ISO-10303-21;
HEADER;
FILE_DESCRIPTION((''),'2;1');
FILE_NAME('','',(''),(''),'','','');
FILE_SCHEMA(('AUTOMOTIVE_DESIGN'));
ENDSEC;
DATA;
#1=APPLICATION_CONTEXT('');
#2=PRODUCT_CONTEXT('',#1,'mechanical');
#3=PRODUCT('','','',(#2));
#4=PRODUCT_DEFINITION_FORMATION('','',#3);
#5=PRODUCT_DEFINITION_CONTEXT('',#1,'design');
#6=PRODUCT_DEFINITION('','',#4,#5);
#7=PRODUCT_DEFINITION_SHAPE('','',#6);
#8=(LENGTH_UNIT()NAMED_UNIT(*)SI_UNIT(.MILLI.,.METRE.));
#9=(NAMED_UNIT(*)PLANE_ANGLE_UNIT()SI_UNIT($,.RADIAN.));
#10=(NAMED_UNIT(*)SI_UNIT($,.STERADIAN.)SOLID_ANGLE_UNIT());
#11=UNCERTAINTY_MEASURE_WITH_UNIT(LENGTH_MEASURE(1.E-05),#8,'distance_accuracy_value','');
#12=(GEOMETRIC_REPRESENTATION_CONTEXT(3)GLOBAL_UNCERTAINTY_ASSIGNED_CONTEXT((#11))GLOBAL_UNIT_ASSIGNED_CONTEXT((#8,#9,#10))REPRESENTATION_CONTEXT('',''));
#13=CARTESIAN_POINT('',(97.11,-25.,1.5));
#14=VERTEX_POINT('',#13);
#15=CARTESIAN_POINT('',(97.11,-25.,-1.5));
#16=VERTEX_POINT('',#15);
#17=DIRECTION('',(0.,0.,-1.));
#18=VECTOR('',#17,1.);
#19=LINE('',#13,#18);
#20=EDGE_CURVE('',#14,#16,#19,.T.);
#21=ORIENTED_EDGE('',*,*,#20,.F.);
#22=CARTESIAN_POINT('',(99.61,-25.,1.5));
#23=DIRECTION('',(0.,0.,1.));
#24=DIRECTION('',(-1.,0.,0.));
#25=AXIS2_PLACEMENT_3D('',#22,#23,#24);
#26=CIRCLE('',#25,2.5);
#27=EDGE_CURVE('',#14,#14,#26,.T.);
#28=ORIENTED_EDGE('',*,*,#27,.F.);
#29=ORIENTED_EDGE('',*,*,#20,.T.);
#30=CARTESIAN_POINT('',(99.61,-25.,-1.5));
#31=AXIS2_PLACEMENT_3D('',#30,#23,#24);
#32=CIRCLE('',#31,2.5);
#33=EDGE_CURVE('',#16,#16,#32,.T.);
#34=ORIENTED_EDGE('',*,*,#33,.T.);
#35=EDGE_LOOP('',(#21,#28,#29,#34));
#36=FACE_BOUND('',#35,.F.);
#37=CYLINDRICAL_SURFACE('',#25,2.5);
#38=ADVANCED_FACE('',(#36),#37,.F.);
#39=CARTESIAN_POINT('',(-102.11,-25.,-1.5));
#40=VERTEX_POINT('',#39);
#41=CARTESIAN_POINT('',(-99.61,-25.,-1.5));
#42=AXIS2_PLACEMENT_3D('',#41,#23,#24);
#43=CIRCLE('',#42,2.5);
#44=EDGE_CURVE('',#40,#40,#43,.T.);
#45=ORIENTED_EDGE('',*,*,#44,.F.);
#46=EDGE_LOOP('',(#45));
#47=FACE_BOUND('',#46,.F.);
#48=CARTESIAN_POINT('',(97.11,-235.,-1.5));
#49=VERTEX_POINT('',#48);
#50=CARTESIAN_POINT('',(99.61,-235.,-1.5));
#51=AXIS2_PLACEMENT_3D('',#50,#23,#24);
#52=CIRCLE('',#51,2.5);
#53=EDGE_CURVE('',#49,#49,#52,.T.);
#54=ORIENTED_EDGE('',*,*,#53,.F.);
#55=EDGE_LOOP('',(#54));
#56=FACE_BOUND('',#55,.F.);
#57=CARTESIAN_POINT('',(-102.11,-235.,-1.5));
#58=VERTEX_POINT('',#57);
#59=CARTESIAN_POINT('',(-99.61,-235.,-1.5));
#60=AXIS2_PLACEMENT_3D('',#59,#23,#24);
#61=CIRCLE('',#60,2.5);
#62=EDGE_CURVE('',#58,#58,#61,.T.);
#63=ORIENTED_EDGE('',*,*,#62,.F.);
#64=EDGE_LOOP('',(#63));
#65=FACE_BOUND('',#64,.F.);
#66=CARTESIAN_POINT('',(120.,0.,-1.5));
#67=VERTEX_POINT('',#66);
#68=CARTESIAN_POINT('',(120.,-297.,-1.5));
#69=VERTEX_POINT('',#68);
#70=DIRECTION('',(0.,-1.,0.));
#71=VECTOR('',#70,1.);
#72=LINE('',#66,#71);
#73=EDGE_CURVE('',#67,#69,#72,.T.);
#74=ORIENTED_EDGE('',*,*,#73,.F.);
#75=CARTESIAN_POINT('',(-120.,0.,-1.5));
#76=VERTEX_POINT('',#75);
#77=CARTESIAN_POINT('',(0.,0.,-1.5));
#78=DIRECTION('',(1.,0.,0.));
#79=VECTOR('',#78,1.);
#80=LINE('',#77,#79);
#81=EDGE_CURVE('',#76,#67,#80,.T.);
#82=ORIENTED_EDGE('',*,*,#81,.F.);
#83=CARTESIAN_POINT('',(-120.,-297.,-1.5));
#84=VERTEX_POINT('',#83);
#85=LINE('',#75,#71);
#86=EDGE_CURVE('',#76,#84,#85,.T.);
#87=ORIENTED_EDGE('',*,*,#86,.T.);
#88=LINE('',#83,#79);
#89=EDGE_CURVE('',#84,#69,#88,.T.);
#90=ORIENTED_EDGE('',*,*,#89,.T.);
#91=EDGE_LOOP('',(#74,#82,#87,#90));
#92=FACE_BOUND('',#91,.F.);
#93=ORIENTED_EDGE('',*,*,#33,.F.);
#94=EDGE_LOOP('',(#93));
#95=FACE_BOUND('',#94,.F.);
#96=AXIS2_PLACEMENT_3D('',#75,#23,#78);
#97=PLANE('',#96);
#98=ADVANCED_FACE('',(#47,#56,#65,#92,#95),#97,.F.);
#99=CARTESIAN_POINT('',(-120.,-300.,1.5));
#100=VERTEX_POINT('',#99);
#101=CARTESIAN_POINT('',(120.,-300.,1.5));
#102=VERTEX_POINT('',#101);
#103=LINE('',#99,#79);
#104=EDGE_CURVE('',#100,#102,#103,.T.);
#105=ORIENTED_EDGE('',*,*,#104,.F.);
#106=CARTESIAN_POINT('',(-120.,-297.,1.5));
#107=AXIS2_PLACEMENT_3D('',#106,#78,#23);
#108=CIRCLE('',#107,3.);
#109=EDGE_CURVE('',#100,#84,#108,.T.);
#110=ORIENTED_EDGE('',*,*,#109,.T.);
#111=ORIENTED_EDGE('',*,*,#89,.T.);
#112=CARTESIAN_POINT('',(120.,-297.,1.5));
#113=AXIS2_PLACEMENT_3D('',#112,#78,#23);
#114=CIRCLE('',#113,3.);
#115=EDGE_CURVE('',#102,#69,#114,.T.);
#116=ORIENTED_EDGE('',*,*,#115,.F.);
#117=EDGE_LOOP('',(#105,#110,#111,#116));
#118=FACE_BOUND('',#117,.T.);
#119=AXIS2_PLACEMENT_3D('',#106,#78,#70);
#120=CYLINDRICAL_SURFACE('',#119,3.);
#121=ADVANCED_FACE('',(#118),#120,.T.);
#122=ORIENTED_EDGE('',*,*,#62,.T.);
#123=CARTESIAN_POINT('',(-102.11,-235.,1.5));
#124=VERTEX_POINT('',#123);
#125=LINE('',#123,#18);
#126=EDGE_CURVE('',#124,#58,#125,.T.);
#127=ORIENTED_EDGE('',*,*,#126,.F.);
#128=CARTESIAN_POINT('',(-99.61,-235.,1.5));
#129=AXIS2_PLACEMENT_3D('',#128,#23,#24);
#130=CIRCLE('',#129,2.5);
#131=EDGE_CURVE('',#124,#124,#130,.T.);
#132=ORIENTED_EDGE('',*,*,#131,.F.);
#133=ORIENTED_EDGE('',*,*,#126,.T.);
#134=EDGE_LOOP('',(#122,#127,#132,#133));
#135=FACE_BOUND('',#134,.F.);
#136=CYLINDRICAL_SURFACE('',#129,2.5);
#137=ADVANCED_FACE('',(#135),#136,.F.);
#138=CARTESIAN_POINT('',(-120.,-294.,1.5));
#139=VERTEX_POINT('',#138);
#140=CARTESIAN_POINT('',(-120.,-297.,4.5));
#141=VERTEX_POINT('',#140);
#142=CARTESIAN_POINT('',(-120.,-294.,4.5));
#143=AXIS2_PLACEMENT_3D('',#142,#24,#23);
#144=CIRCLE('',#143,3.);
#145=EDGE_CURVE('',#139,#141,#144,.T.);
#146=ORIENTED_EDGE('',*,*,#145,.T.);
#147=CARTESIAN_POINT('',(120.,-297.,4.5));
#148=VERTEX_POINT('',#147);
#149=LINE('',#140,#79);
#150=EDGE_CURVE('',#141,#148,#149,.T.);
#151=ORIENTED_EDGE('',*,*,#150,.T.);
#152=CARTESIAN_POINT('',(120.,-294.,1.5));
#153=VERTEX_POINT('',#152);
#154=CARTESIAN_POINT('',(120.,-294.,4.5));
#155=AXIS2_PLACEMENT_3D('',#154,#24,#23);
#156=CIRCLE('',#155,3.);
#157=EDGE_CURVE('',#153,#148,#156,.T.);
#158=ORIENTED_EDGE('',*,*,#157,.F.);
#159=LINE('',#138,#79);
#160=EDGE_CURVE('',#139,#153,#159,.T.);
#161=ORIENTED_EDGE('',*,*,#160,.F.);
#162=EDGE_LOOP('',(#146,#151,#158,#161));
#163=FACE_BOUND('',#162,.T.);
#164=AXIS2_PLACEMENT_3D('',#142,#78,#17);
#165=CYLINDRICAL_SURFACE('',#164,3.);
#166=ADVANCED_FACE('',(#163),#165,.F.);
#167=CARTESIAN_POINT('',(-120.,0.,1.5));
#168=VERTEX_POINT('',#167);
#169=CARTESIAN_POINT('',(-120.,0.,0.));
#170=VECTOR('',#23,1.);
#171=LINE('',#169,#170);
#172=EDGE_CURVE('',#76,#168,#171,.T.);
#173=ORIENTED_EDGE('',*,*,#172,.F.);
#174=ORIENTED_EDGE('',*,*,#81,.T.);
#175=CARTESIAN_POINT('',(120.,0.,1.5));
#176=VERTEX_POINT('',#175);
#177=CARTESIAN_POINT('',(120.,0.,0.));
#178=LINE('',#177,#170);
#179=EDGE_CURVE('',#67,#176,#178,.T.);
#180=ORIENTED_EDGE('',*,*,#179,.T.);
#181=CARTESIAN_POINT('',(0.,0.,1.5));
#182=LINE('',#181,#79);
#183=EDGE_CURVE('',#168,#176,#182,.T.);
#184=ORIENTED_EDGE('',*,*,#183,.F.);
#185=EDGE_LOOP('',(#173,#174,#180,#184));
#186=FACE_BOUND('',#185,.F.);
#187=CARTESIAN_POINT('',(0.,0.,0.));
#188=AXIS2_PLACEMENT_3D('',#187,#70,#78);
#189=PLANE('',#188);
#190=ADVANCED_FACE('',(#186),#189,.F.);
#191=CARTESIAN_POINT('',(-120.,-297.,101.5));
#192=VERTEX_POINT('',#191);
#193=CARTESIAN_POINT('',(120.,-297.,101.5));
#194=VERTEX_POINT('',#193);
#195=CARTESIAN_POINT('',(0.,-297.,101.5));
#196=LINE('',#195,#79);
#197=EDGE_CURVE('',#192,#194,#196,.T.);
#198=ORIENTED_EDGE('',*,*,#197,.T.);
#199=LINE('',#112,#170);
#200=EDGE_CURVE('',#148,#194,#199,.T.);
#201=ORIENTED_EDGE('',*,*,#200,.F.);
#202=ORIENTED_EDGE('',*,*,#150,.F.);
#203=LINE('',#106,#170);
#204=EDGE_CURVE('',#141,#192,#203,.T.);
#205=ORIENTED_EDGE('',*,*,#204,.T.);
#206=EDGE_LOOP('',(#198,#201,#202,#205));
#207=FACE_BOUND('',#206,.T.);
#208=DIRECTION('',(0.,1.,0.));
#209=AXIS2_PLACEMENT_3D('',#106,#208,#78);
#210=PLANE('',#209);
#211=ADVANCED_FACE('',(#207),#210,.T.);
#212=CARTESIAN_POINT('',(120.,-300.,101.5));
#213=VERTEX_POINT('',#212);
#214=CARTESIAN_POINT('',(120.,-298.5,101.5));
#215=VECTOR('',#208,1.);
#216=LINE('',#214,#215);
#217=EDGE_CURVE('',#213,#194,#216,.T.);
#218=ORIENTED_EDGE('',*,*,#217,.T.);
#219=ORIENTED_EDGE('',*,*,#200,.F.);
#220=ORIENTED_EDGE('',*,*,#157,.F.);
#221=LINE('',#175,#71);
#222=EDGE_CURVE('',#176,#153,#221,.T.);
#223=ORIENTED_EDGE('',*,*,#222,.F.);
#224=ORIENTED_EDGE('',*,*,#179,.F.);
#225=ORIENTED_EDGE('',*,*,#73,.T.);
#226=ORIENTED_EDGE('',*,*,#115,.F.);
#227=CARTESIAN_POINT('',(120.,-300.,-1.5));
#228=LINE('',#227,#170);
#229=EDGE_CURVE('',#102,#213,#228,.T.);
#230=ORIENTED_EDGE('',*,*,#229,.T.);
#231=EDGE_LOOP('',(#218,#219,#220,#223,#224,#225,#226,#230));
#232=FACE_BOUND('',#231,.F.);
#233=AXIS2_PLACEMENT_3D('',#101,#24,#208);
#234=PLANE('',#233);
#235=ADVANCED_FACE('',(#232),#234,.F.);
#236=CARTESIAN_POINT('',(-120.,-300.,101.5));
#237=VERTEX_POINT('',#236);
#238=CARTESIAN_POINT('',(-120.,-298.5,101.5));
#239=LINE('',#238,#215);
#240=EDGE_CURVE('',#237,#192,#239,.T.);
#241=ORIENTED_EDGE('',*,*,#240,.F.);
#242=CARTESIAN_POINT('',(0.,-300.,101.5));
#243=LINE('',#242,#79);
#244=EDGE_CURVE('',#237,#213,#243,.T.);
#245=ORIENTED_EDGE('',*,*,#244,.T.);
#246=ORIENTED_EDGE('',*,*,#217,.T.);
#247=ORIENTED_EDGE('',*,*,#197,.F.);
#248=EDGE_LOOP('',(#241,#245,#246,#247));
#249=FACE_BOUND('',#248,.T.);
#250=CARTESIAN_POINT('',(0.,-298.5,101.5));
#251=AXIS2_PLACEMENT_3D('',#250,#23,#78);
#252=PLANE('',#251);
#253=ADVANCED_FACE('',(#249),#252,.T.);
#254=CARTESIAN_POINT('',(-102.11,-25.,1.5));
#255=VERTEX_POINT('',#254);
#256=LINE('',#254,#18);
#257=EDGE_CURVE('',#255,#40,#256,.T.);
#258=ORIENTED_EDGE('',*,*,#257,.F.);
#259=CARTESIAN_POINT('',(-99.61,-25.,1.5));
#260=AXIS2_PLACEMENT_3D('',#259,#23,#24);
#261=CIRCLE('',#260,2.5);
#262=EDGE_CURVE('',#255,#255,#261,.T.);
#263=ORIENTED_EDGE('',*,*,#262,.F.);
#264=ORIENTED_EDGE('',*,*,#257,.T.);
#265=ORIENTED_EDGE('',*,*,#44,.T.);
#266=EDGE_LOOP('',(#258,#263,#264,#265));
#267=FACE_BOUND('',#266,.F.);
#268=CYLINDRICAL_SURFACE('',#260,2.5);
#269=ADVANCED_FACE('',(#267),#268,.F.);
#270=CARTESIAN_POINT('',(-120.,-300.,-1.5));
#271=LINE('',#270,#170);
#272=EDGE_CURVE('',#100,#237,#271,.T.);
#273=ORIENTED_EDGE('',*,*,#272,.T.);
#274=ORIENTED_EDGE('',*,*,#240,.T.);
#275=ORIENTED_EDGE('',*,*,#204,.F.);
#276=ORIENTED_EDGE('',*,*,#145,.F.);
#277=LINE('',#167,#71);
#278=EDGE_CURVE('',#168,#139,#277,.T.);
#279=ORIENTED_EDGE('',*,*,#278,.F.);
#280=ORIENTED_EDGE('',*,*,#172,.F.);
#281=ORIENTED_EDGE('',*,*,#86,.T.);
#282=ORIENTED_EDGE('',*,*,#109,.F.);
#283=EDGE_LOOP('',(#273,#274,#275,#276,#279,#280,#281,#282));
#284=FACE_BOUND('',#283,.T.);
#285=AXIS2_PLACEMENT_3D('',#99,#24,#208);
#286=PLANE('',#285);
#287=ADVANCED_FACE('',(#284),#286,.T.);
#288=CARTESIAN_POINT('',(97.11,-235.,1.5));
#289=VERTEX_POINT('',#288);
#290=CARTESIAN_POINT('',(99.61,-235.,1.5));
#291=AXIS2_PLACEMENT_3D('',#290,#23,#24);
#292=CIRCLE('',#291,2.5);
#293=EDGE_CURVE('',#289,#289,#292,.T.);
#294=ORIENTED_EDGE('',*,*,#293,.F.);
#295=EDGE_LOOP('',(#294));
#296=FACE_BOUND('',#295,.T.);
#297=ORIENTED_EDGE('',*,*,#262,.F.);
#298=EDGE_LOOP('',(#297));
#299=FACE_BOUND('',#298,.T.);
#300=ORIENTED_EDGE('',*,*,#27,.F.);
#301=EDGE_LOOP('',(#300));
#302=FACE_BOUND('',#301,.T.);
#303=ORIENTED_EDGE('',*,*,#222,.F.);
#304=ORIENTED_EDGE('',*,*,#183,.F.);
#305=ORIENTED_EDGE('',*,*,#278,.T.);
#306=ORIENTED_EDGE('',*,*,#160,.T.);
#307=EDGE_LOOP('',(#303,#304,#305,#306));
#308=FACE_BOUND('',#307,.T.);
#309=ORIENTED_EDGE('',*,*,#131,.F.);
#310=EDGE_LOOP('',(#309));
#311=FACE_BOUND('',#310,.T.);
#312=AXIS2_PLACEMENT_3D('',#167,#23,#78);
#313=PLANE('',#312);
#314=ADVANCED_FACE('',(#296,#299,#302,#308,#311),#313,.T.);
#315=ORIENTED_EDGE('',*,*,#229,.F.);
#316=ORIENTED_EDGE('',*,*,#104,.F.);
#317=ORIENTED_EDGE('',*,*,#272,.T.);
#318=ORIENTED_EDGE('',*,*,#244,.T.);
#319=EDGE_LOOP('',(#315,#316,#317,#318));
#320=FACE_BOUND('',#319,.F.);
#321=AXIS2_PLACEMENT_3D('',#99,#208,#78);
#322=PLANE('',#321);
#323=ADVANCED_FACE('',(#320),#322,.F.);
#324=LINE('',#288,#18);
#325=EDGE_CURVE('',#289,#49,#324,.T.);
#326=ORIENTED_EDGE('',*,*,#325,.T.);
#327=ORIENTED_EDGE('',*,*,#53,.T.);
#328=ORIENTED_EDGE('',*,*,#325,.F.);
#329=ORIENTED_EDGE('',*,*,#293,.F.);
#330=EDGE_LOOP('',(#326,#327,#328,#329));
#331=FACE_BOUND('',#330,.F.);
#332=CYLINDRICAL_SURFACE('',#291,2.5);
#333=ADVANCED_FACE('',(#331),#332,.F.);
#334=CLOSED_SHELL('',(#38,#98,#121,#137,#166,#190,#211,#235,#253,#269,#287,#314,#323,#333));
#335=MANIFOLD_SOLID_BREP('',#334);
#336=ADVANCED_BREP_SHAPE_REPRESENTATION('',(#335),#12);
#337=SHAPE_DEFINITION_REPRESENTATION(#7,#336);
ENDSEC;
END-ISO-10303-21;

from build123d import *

# Parameters (mm, degrees)
F0_W     = 240
F0_H     = 3
F1_DEPTH = 300
F3_DEPTH = 25
F4_W     = 240
F4_H     = 3
F5_DEPTH = 100
F6_R     = 3


with BuildPart() as f1:
    # F0 (on Front) → F1 (new body)
    with BuildSketch(Plane.XZ):
        Rectangle(F0_W, F0_H)
    extrude(amount=F1_DEPTH)

    # F2 (on face) → F3 (cut)
    with BuildSketch(Plane.XY.offset(1.5)):
        with BuildLine():
            ThreePointArc((-97.11, -25), (-99.61, -22.5), (-102.11, -25))
            Line((-102.11, -25), (-97.11, -25))
        make_face()
        with BuildLine():
            ThreePointArc((102.11, -25), (99.61, -22.5), (97.11, -25))
            Line((97.11, -25), (102.11, -25))
        make_face()
        with BuildLine():
            Line((102.11, -25), (97.11, -25))
            ThreePointArc((97.11, -25), (99.61, -27.5), (102.11, -25))
        make_face()
        with BuildLine():
            Line((-97.11, -25), (-102.11, -25))
            ThreePointArc((-102.11, -25), (-99.61, -27.5), (-97.11, -25))
        make_face()
        with BuildLine():
            ThreePointArc((-97.11, -235), (-99.61, -232.5), (-102.11, -235))
            Line((-102.11, -235), (-97.11, -235))
        make_face()
        with BuildLine():
            ThreePointArc((102.11, -235), (99.61, -232.5), (97.11, -235))
            Line((97.11, -235), (102.11, -235))
        make_face()
        with BuildLine():
            Line((102.11, -235), (97.11, -235))
            ThreePointArc((97.11, -235), (99.61, -237.5), (102.11, -235))
        make_face()
        with BuildLine():
            Line((-97.11, -235), (-102.11, -235))
            ThreePointArc((-102.11, -235), (-99.61, -237.5), (-97.11, -235))
        make_face()
    extrude(amount=-F3_DEPTH, mode=Mode.SUBTRACT)

    # F4 (on face) → F5 (join)
    with BuildSketch(Plane.XY.offset(1.5)):
        with Locations((0, -298.5)):
            Rectangle(F4_W, F4_H)
    extrude(amount=F5_DEPTH)

    # F6
    f6_edges = [f1.edges().sort_by_distance(p)[0] for p in [
        (0, -297, 1.5),
        (0, -300, -1.5),
    ]]
    fillet(f6_edges, radius=F6_R)


solid = f1.part
